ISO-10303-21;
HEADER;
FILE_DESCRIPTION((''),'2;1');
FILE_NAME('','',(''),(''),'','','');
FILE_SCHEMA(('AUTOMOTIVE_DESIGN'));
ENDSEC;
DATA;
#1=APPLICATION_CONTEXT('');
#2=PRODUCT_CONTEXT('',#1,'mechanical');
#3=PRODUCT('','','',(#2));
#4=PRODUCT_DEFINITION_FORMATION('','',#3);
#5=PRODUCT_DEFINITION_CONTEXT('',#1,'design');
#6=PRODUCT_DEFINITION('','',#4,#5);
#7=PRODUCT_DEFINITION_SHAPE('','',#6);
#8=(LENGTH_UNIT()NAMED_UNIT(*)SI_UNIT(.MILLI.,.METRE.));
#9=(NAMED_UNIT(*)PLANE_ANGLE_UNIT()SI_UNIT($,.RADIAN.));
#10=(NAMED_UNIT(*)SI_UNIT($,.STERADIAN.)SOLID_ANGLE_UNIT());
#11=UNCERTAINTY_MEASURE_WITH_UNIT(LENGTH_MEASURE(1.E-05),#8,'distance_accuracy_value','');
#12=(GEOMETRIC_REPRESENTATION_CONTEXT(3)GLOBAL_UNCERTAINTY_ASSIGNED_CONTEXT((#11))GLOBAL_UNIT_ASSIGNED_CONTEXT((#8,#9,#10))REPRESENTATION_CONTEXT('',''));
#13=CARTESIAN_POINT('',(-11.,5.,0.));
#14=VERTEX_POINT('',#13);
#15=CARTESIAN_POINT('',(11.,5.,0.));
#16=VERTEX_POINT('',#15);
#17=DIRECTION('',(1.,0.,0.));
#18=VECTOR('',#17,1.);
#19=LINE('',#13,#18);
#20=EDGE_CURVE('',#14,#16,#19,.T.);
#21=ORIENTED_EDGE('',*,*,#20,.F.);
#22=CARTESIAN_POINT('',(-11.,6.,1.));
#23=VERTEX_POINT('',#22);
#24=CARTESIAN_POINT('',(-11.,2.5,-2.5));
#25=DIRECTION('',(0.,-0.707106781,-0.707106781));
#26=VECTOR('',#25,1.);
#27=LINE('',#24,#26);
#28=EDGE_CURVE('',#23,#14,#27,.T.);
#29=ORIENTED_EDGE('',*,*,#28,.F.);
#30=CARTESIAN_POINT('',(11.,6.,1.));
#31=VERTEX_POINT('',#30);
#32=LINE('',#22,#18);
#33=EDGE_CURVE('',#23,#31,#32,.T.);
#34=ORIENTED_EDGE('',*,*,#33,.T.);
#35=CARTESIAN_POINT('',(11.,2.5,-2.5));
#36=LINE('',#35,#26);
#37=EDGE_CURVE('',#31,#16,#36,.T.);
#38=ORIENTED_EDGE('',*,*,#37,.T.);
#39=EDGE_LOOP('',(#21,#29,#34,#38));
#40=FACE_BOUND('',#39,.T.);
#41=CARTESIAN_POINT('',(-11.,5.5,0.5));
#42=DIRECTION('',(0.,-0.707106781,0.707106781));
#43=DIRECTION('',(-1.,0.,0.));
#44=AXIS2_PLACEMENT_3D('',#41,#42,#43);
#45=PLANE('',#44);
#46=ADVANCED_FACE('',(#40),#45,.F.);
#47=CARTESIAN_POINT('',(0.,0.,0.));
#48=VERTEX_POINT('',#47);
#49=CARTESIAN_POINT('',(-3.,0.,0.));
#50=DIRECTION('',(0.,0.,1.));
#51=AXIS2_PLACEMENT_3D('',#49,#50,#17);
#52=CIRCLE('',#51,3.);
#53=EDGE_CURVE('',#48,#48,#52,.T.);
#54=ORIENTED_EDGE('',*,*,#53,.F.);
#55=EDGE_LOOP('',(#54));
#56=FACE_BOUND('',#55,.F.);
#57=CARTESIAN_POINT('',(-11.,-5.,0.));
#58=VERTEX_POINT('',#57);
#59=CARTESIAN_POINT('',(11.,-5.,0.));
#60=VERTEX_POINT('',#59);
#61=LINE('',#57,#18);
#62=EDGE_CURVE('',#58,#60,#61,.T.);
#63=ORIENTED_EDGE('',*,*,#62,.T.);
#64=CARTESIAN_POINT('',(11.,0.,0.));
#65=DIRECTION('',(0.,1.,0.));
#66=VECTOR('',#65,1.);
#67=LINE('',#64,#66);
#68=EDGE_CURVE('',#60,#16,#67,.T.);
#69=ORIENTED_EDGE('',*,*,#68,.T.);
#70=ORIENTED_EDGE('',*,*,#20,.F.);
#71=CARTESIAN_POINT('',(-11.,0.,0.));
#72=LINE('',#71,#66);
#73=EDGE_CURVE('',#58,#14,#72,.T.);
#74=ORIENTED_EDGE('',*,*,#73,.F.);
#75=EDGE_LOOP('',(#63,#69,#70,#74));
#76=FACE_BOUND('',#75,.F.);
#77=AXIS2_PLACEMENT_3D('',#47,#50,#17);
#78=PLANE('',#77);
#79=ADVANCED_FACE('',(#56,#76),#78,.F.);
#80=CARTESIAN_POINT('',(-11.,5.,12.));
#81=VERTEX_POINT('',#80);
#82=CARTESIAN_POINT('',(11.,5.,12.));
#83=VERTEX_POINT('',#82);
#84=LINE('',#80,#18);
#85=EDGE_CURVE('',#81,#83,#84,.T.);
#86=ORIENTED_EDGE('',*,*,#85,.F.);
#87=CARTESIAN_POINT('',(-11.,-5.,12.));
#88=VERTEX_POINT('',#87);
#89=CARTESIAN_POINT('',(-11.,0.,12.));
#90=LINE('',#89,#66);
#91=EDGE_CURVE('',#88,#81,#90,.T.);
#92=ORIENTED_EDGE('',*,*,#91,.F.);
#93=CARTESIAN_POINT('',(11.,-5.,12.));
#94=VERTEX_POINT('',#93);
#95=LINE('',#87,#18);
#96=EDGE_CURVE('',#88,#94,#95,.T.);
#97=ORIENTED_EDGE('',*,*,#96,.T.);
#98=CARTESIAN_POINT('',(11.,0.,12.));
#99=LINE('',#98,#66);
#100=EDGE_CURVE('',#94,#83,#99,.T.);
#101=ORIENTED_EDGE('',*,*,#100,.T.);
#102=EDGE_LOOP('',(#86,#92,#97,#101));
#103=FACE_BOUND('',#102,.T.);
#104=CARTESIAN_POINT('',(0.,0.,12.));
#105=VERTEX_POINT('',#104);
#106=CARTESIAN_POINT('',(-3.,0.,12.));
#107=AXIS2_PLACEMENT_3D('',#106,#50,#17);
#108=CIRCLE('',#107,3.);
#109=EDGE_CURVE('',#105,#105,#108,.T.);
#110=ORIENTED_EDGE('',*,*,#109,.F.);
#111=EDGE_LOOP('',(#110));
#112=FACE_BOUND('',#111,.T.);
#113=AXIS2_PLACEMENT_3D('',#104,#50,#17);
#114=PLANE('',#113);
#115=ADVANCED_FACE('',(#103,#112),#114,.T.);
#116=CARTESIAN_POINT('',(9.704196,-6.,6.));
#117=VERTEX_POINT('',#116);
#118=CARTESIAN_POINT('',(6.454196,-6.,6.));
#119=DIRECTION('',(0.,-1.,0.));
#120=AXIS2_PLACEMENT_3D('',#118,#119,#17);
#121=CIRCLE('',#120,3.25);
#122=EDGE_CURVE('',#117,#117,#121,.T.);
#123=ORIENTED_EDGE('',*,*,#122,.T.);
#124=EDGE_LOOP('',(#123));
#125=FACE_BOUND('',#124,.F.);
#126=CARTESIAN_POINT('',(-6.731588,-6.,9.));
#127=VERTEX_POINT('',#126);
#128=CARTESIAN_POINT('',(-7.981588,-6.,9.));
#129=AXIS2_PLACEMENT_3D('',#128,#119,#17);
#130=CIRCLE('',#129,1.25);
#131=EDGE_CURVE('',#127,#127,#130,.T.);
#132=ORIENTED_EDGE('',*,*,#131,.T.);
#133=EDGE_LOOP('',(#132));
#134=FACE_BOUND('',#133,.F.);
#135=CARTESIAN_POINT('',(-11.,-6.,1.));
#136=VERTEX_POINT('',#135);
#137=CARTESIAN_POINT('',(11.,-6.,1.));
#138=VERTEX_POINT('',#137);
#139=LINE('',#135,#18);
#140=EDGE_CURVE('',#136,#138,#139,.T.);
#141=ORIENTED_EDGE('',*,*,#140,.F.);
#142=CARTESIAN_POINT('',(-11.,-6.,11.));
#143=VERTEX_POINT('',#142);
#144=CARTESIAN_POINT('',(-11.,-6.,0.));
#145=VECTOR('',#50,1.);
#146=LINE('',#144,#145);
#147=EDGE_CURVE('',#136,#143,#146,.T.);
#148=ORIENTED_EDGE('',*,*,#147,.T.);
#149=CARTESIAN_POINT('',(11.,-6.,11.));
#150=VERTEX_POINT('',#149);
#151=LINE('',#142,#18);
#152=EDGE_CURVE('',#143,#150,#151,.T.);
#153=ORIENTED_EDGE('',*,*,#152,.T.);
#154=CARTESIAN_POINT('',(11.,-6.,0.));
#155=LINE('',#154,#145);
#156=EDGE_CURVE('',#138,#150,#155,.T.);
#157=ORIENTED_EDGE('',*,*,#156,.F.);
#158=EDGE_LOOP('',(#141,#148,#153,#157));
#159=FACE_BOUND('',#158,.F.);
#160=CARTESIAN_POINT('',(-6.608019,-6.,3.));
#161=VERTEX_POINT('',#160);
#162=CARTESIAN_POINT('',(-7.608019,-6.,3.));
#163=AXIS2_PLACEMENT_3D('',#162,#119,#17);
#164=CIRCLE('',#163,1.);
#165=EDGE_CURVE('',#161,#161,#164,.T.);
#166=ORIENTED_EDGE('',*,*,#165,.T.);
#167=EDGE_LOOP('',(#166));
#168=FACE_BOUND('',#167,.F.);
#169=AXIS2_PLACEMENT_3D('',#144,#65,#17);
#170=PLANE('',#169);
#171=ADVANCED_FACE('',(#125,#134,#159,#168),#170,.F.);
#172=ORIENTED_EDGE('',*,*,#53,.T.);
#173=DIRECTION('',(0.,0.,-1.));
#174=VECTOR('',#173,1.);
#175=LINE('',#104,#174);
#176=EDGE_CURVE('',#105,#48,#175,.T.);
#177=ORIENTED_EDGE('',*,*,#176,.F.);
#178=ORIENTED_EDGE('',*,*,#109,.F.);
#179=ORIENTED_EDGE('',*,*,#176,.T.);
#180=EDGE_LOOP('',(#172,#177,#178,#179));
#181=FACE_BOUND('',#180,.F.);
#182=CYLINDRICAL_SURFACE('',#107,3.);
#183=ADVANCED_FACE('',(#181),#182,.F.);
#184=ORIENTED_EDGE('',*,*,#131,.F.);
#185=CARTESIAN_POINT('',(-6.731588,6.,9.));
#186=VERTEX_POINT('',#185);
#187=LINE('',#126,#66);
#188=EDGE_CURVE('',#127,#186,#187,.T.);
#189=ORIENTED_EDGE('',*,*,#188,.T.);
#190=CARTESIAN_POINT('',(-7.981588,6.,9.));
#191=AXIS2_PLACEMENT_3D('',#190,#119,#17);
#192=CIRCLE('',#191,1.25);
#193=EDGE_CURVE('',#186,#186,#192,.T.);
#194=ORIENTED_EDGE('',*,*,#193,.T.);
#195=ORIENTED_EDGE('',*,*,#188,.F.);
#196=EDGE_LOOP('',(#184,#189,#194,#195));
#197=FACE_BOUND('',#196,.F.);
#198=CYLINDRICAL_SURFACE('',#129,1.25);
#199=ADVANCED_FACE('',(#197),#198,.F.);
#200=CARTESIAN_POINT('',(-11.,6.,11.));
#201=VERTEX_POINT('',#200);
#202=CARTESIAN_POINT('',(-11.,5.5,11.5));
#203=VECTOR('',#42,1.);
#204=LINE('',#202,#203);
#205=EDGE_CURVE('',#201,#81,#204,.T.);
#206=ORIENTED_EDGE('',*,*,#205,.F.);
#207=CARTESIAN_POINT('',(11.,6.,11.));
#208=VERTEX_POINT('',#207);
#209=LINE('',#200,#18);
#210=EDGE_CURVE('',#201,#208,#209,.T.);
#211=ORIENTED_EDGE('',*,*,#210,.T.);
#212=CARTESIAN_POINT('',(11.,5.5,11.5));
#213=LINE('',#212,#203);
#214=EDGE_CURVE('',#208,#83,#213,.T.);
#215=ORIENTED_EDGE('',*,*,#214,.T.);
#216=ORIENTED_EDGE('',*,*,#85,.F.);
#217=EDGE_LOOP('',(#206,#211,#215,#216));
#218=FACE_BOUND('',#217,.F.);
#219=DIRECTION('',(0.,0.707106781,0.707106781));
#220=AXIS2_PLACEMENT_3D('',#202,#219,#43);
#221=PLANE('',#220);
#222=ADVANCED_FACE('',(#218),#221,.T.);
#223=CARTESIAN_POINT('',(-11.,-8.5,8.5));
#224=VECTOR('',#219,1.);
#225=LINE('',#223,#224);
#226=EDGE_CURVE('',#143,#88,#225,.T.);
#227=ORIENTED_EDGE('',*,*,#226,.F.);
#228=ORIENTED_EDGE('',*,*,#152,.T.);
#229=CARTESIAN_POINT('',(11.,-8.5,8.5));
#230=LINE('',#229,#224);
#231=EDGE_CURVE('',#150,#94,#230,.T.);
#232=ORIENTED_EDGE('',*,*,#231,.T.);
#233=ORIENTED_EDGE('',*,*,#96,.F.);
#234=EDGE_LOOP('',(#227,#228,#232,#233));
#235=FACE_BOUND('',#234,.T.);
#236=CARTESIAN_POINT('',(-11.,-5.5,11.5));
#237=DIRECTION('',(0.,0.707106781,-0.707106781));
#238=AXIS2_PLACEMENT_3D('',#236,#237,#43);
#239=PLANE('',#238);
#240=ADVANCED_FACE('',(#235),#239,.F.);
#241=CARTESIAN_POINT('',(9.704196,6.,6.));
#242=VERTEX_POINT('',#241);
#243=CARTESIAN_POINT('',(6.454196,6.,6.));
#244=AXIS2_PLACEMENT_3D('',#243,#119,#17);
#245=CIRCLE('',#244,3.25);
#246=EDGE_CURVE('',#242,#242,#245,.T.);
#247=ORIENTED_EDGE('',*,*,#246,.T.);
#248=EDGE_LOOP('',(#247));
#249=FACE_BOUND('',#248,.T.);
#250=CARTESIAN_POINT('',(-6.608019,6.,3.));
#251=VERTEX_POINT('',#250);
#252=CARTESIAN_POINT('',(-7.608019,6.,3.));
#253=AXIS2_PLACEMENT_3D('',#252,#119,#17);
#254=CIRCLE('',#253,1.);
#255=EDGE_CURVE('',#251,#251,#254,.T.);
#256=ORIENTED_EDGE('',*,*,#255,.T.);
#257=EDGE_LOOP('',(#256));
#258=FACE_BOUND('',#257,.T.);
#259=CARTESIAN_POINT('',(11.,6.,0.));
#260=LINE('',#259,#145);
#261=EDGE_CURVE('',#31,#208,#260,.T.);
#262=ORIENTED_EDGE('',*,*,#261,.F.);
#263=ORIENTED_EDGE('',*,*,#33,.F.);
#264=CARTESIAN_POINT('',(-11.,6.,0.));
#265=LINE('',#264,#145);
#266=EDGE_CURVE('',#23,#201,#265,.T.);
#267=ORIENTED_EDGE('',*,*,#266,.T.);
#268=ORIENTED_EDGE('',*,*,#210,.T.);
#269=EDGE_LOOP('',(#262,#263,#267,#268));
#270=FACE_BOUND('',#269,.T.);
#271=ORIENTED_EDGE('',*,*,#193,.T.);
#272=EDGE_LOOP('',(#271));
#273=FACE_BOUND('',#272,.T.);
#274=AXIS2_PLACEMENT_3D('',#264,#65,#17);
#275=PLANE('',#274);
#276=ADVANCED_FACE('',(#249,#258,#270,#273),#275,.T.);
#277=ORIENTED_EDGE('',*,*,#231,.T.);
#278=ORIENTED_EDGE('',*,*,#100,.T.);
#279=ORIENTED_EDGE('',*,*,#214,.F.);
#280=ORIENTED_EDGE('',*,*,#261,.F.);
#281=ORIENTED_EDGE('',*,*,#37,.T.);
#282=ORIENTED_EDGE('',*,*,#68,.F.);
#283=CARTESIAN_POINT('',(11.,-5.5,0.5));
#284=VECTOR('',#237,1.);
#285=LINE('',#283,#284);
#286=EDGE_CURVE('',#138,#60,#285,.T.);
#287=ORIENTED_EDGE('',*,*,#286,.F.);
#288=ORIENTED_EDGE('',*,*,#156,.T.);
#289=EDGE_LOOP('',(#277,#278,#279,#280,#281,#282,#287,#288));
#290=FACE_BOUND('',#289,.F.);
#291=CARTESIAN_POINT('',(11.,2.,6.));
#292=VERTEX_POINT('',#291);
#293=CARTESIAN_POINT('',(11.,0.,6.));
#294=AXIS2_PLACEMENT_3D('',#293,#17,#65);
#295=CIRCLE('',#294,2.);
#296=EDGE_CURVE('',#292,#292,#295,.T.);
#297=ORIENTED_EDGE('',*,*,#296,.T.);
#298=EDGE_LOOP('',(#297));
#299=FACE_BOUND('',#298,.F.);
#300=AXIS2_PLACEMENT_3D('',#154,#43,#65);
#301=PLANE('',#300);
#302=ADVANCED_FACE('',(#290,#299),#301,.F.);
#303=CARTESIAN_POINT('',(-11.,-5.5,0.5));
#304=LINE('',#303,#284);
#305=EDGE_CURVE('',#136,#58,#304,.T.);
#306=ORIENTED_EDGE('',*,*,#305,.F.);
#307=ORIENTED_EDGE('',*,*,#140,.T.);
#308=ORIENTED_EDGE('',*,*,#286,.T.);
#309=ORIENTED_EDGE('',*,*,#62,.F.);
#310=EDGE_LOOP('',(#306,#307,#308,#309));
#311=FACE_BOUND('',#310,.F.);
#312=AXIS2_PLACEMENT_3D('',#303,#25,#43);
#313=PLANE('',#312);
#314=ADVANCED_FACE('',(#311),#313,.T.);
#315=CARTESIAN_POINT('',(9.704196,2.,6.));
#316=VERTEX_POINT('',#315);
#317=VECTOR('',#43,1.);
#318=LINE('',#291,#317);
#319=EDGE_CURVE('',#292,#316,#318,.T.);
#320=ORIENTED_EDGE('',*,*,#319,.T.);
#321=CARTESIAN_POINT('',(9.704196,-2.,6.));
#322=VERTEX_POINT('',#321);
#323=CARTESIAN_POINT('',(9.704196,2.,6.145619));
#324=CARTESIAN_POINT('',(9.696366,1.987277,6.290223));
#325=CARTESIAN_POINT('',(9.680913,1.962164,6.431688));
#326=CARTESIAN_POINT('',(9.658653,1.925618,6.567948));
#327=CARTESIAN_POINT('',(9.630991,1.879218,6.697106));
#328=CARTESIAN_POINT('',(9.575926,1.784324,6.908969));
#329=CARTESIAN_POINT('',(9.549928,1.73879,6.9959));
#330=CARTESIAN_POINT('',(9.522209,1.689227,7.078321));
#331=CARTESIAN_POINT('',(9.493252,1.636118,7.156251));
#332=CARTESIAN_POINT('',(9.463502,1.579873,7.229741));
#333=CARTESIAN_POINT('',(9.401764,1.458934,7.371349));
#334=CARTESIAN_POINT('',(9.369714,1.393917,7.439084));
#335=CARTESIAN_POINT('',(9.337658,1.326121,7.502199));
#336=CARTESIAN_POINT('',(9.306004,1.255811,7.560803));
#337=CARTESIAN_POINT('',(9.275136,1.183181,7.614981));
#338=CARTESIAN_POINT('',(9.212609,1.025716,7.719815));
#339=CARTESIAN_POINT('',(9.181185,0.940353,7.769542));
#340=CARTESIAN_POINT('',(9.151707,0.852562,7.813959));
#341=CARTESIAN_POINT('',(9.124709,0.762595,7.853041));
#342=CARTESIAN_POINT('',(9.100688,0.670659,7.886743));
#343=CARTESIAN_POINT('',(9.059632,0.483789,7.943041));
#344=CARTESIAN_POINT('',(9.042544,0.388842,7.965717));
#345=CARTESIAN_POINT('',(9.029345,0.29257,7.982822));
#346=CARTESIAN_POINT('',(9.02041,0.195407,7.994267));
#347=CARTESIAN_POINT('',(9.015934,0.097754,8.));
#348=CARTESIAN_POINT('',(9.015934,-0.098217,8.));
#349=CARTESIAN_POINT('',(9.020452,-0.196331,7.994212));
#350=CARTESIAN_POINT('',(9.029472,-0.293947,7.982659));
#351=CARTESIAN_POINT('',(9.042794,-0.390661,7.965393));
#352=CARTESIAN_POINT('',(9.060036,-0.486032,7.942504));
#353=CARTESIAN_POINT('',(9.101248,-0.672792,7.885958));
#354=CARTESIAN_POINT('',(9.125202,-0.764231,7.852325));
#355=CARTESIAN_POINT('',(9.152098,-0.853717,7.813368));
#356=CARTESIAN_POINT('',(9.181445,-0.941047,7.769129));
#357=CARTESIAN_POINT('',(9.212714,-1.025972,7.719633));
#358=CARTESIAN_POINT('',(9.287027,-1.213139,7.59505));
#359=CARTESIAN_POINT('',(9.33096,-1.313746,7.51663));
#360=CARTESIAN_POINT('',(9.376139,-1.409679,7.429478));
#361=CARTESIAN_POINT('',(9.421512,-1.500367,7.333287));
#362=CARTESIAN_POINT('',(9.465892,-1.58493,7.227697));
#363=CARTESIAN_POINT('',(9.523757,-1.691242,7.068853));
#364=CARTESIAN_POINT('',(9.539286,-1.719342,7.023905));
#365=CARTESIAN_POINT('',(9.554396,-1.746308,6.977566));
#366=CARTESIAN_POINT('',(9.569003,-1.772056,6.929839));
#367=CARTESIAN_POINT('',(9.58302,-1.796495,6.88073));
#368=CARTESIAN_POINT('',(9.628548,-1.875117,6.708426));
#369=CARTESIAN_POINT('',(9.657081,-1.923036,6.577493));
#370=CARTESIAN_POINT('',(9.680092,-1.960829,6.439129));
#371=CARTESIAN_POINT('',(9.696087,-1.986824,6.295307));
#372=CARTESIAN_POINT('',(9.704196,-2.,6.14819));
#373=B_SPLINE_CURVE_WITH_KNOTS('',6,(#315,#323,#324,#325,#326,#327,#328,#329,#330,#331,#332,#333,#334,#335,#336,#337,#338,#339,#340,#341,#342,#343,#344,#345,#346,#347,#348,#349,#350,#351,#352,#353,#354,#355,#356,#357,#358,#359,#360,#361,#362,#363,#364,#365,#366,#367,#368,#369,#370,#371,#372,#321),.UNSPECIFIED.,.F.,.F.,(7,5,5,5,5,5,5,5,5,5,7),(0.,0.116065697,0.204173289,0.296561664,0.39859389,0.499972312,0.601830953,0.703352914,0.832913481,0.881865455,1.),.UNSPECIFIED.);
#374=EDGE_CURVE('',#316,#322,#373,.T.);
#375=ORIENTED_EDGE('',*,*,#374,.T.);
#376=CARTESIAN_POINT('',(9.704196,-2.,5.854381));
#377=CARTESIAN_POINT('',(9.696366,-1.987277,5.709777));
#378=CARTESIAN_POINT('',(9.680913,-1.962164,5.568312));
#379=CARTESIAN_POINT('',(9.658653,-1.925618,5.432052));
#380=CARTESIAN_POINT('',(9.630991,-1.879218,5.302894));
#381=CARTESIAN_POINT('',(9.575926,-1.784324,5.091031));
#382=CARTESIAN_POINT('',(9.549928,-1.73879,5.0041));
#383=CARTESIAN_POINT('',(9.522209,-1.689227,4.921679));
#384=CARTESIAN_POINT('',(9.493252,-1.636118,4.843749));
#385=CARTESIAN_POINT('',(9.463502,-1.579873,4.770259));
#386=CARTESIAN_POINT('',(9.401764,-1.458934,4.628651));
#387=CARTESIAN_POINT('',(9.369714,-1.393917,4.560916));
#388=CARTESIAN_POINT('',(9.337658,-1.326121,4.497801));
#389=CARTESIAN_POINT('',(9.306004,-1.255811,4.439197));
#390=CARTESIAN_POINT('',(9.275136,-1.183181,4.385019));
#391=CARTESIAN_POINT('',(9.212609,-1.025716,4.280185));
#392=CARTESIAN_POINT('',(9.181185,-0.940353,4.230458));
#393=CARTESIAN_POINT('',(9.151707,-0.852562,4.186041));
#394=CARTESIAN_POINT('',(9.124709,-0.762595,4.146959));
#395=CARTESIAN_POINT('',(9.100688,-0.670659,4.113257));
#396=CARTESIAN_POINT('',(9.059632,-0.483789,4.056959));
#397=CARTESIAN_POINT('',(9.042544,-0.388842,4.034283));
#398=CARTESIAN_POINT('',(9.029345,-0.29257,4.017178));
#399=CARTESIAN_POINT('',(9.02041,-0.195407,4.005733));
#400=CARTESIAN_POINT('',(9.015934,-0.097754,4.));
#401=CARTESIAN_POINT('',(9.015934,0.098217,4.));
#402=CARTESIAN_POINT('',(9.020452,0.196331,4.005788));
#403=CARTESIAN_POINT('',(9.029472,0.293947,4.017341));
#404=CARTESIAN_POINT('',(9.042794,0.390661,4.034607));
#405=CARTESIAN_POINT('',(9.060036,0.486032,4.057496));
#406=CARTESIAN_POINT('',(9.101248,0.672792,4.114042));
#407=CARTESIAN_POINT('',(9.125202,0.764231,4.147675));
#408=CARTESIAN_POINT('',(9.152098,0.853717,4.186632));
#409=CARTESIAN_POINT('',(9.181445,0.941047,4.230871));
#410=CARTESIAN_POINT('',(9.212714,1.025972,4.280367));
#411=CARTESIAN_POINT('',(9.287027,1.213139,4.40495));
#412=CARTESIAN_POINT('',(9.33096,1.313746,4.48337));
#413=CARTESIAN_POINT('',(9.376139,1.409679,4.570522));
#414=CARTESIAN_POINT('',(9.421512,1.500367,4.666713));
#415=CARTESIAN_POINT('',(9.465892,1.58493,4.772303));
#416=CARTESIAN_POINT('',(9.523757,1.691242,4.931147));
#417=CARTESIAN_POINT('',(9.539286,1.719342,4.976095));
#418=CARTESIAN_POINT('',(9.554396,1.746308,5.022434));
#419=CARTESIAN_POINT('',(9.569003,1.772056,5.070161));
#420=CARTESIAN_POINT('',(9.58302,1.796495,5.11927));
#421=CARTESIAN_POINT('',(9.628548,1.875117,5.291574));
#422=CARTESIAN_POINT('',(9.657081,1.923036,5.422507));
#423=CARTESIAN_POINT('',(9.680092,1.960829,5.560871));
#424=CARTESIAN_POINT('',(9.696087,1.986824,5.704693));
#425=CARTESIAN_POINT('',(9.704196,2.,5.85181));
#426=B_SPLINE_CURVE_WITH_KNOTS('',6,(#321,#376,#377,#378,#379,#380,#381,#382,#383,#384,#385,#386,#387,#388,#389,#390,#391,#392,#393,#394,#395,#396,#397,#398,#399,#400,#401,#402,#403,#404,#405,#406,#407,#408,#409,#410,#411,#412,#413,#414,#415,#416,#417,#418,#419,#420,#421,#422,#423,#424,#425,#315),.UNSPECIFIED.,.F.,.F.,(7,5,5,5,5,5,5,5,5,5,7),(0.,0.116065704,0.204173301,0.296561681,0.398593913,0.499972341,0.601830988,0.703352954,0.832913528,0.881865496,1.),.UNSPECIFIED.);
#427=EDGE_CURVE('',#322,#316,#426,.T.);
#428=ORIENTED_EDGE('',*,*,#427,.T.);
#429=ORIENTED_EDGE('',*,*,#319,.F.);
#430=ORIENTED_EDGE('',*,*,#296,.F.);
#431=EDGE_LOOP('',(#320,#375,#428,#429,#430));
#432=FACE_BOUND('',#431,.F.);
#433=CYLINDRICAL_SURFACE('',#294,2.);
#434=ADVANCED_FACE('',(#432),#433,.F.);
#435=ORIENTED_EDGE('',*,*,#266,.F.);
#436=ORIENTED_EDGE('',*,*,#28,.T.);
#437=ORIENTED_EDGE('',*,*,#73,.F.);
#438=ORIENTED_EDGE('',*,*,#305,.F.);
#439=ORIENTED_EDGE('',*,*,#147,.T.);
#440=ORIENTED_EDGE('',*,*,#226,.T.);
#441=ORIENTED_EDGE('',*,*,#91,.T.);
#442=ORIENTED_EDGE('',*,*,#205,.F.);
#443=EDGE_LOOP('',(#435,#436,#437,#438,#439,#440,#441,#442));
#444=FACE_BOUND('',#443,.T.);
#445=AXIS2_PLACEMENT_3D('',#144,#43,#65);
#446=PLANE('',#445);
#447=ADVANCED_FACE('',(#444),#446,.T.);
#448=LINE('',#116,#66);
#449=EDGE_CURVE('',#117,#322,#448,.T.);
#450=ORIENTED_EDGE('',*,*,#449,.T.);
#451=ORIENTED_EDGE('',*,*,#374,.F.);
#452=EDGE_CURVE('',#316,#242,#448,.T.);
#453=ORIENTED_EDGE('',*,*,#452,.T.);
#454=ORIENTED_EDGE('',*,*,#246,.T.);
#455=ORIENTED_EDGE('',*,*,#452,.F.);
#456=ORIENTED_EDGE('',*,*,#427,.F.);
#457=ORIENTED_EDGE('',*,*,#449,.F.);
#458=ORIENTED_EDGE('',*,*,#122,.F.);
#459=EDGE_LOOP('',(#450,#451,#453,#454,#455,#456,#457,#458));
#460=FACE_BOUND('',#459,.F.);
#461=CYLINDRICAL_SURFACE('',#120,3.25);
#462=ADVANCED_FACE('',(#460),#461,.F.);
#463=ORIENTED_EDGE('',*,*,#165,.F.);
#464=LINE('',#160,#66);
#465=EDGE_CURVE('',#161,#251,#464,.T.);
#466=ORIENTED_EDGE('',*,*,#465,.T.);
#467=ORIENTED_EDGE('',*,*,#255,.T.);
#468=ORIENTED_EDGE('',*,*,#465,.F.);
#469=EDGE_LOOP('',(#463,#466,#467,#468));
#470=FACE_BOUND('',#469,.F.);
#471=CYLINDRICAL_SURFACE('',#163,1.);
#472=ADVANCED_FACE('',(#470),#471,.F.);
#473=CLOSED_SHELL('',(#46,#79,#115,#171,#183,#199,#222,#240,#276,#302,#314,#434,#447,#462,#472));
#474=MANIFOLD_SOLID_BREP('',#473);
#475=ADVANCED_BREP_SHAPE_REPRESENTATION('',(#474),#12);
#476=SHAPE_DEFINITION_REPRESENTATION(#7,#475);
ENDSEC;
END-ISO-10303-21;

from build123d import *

# Parameters (mm, degrees)
F0_W     = 22
F0_H     = 12
F1_DEPTH = 12
F2_SIZE  = 1
F3_R     = 3.25
F3_R_2   = 1.25
F3_R_3   = 1
F4_DEPTH = 12.001
F7_R     = 2
F5_DEPTH = 4
F6_R     = 3
F8_DEPTH = 25


with BuildPart() as f1:
    # F0 (on Top) → F1 (new body)
    with BuildSketch(Plane.XY):
        Rectangle(F0_W, F0_H)
    extrude(amount=F1_DEPTH)

    # F2
    f2_edges = [f1.edges().sort_by_distance(p)[0] for p in [
        (0, -6, 12),
        (0, -6, 0),
        (0, 6, 0),
        (0, 6, 12),
    ]]
    chamfer(f2_edges, length=F2_SIZE)

    # F3 (on face) → F4 (cut, through all)
    with BuildSketch(Plane.XZ.offset(6)):
        with Locations((6.454196, 6)):
            Circle(F3_R)
        with Locations((-7.981588, 9)):
            Circle(F3_R_2)
        with Locations((-7.608019, 3)):
            Circle(F3_R_3)
    extrude(amount=-F4_DEPTH, mode=Mode.SUBTRACT)

    # F7 (on face) → F5 (cut)
    with BuildSketch(Plane.YZ.offset(11)):
        with Locations((0, 6)):
            Circle(F7_R)
    extrude(amount=-F5_DEPTH, mode=Mode.SUBTRACT)

    # F6 (on face) → F8 (cut)
    with BuildSketch(Plane.XY.offset(12)):
        with Locations((-3, 0)):
            Circle(F6_R)
    extrude(amount=-F8_DEPTH, mode=Mode.SUBTRACT)


solid = f1.part
